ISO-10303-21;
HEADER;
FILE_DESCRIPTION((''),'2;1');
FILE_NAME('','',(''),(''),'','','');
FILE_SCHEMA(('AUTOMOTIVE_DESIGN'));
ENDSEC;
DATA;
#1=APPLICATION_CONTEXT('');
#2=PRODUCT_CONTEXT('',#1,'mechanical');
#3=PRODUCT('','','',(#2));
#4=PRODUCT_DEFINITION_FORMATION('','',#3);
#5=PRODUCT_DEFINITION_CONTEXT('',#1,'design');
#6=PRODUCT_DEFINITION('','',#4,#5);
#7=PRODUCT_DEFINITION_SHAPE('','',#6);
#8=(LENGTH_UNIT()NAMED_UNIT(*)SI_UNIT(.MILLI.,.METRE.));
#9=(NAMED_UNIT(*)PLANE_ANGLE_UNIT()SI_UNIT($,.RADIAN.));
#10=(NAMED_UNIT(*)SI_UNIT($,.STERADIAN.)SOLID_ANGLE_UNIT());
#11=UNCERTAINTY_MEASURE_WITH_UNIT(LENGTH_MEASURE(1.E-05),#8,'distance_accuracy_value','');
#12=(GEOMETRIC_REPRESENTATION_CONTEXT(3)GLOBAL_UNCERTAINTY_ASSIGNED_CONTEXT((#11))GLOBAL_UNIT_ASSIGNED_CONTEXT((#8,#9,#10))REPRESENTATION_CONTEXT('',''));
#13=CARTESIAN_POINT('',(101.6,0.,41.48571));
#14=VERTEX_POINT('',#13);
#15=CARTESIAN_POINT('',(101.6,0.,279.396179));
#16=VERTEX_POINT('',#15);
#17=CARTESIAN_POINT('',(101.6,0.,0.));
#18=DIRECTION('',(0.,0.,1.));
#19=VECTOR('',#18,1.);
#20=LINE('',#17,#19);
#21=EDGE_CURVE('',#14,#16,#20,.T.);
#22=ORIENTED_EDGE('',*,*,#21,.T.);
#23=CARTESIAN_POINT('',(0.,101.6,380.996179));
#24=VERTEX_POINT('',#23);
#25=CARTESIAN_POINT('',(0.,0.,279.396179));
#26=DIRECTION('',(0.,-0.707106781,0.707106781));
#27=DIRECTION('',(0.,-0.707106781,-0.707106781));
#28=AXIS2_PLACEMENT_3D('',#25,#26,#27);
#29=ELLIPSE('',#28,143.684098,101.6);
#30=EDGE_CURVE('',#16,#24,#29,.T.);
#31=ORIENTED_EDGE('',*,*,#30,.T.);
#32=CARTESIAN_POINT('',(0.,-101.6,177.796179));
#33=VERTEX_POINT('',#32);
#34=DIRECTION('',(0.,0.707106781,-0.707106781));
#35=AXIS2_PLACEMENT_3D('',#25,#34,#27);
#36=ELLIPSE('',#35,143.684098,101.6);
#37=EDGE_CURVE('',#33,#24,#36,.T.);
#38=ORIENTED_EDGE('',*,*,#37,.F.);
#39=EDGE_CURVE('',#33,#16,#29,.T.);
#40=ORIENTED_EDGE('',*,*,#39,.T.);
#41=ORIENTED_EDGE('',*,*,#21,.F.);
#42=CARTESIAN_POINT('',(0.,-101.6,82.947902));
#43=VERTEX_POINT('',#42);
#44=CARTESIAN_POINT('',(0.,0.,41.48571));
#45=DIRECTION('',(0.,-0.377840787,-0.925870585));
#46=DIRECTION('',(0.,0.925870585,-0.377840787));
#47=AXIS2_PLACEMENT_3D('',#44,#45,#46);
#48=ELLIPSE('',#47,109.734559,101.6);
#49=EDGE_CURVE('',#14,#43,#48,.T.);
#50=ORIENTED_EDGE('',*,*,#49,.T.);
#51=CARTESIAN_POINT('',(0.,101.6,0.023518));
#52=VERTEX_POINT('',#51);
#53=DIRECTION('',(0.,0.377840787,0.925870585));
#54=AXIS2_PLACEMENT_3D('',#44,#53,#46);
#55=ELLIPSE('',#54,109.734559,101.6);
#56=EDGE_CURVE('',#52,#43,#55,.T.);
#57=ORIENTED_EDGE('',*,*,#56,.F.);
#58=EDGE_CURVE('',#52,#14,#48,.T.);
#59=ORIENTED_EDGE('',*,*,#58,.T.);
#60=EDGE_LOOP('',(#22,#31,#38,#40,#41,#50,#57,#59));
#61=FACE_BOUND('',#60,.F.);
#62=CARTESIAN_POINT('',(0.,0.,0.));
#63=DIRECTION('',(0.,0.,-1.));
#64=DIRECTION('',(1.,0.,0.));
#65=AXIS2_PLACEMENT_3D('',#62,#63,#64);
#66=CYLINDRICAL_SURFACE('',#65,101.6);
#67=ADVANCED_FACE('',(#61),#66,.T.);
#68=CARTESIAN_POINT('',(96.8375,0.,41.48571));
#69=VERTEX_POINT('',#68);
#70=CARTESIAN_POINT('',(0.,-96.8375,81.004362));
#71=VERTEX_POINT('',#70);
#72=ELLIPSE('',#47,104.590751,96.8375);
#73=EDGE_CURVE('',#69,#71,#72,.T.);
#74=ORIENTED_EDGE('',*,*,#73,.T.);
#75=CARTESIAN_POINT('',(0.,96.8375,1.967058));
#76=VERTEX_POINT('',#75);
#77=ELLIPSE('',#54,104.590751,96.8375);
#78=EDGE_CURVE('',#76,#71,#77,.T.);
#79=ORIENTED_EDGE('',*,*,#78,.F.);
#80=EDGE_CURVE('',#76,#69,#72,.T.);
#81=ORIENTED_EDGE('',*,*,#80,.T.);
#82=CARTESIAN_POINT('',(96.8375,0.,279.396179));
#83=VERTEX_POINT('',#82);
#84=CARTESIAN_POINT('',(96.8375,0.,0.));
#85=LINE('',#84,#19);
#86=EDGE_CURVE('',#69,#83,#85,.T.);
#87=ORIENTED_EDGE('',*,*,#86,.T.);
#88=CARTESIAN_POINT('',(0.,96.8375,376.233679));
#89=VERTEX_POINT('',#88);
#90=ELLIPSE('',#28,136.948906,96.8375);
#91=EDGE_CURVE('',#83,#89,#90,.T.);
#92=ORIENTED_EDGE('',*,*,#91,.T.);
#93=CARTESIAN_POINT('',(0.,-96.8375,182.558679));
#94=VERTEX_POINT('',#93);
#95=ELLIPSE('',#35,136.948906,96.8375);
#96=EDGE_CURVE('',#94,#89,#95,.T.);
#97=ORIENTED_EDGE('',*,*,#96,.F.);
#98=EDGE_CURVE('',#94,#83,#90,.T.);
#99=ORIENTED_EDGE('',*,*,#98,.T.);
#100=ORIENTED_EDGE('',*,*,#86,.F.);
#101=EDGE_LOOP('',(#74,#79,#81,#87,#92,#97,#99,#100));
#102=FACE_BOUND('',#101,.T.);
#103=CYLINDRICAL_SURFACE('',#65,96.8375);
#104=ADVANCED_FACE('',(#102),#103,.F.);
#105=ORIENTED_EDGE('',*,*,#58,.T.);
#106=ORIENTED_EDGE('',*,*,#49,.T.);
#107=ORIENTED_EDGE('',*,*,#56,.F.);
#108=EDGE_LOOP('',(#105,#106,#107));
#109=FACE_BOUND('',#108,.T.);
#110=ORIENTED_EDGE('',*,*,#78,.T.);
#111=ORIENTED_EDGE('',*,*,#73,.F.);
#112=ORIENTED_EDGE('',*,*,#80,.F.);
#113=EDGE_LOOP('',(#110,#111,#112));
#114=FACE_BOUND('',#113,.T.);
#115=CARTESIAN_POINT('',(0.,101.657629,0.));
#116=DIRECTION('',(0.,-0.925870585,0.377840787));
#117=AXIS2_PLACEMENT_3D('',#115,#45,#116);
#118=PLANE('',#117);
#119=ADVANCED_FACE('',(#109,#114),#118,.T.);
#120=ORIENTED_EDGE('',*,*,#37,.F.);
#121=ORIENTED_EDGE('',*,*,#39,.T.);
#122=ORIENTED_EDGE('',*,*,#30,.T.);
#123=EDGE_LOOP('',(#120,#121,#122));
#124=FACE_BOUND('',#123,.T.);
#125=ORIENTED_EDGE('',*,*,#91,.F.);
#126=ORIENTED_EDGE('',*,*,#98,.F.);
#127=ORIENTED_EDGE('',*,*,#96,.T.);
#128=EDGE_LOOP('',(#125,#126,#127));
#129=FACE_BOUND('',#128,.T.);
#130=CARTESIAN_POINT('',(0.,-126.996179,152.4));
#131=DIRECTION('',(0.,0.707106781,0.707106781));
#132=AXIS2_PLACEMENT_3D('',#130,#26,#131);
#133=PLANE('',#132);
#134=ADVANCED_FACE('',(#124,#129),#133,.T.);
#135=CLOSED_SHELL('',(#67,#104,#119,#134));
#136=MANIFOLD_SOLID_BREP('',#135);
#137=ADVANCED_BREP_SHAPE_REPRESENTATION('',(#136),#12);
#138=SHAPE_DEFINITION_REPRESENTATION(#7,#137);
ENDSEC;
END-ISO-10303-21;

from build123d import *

# Parameters (mm, degrees)
F0_R          = 101.6
F0_R_2        = 96.8375
F1_DEPTH      = 381
F3_DEPTH      = 101.601
F3_DEPTH_BACK = 101.601


with BuildPart() as f1:
    # F0 (on Top) → F1 (new body)
    with BuildSketch(Plane.XY):
        Circle(F0_R)
        Circle(F0_R_2, mode=Mode.SUBTRACT)
    extrude(amount=F1_DEPTH)

    # F2 (on Right) → F3 (cut, two sides)
    with BuildSketch(Plane.YZ) as f3_sk:
        Polygon((-126.99617908, 152.4), (101.60382092, 381), (-126.99617908, 381), align=None)
        Polygon((101.6576290131, 0), (-126.9423709869, 93.2899319665), (-126.9423709869, 0), align=None)
    extrude(amount=-F3_DEPTH, mode=Mode.SUBTRACT)
    extrude(f3_sk.sketch, amount=F3_DEPTH_BACK, mode=Mode.SUBTRACT)


solid = f1.part
